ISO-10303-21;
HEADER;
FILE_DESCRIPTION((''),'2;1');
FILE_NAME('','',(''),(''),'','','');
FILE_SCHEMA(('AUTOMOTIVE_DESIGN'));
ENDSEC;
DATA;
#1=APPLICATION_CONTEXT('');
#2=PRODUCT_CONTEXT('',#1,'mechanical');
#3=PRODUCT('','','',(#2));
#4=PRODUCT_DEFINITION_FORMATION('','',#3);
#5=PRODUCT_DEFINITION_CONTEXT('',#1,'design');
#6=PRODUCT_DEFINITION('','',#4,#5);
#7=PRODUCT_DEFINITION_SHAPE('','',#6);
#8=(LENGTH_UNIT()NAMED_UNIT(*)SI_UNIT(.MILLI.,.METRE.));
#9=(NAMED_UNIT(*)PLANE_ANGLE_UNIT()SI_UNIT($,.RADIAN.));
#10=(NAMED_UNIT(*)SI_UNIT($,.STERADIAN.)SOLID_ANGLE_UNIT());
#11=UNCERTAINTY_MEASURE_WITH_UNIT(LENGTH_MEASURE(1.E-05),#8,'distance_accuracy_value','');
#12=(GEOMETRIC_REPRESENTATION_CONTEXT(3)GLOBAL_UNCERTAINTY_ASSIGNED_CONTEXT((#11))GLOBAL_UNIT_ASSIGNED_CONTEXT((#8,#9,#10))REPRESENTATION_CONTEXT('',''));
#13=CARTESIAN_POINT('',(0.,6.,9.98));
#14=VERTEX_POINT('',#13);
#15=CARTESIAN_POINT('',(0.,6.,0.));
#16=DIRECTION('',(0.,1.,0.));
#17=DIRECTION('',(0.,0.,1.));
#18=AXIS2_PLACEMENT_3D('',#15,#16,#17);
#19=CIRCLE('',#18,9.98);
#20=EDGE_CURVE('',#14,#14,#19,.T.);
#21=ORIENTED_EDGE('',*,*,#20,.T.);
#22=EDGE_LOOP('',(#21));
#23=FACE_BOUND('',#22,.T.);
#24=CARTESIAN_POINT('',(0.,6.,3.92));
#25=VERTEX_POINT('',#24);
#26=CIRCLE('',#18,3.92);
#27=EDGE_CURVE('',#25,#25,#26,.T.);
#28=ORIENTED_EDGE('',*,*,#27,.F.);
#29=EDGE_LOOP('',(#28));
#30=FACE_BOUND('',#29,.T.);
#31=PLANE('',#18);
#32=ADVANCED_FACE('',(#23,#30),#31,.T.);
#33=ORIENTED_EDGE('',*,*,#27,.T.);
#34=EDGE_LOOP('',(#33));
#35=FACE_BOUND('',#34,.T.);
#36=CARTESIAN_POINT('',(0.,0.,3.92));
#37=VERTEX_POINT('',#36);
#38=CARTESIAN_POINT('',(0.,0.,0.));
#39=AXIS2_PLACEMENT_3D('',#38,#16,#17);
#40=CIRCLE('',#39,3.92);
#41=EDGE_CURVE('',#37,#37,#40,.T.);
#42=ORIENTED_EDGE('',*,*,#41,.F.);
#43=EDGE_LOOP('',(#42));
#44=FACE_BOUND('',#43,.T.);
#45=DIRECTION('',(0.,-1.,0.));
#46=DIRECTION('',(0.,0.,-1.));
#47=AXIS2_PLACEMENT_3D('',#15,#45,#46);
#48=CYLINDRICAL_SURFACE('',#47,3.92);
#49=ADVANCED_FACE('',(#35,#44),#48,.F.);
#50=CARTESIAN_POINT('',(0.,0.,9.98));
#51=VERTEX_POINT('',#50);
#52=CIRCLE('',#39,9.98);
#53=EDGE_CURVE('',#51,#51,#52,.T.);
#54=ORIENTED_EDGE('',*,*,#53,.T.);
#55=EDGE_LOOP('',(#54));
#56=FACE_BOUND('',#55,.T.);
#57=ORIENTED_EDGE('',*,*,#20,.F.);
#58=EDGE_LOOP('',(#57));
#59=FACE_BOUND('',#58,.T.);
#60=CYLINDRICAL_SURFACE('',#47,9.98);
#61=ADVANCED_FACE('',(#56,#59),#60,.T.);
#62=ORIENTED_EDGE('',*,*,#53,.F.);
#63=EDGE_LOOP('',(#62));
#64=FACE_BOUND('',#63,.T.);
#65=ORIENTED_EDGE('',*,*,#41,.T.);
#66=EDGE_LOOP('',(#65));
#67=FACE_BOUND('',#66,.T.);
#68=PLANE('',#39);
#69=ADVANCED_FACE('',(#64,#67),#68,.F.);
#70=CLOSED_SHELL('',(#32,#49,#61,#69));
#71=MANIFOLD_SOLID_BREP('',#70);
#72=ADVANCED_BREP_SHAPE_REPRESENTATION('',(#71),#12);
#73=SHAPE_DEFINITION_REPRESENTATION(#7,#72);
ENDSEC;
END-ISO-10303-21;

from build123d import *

# Parameters (mm, degrees)
SKETCH1_R           = 9.9
SKETCH1_R_2         = 4
BOSS_EXTRUDE1_DEPTH = 6
MOVE_FACE1_BY       = 0.08
MOVE_FACE1_2_BY     = 0.08


with BuildPart() as part:
    # Sketch1 → Boss-Extrude1 (new body)
    with BuildSketch(Plane(origin=(0, 0, 0), x_dir=(1, 0, 0), z_dir=(0, 1, 0))):
        with Locations(Location((0, 0, 0), (0, 0, 270))):
            Circle(SKETCH1_R)
        with Locations(Location((0, 0, 0), (0, 0, 270))):
            Circle(SKETCH1_R_2, mode=Mode.SUBTRACT)
    extrude(amount=BOSS_EXTRUDE1_DEPTH)

    # Move Face1: a curved face moved outward by 0.08
    add(Solid.thicken(part.faces().sort_by_distance((0, 3, -9.9))[0], MOVE_FACE1_BY))

    # Move Face1 2: a curved face moved outward by 0.08
    add(Solid.thicken(part.faces().sort_by_distance((0, 3, -4))[0], MOVE_FACE1_2_BY))


solid = part.part
